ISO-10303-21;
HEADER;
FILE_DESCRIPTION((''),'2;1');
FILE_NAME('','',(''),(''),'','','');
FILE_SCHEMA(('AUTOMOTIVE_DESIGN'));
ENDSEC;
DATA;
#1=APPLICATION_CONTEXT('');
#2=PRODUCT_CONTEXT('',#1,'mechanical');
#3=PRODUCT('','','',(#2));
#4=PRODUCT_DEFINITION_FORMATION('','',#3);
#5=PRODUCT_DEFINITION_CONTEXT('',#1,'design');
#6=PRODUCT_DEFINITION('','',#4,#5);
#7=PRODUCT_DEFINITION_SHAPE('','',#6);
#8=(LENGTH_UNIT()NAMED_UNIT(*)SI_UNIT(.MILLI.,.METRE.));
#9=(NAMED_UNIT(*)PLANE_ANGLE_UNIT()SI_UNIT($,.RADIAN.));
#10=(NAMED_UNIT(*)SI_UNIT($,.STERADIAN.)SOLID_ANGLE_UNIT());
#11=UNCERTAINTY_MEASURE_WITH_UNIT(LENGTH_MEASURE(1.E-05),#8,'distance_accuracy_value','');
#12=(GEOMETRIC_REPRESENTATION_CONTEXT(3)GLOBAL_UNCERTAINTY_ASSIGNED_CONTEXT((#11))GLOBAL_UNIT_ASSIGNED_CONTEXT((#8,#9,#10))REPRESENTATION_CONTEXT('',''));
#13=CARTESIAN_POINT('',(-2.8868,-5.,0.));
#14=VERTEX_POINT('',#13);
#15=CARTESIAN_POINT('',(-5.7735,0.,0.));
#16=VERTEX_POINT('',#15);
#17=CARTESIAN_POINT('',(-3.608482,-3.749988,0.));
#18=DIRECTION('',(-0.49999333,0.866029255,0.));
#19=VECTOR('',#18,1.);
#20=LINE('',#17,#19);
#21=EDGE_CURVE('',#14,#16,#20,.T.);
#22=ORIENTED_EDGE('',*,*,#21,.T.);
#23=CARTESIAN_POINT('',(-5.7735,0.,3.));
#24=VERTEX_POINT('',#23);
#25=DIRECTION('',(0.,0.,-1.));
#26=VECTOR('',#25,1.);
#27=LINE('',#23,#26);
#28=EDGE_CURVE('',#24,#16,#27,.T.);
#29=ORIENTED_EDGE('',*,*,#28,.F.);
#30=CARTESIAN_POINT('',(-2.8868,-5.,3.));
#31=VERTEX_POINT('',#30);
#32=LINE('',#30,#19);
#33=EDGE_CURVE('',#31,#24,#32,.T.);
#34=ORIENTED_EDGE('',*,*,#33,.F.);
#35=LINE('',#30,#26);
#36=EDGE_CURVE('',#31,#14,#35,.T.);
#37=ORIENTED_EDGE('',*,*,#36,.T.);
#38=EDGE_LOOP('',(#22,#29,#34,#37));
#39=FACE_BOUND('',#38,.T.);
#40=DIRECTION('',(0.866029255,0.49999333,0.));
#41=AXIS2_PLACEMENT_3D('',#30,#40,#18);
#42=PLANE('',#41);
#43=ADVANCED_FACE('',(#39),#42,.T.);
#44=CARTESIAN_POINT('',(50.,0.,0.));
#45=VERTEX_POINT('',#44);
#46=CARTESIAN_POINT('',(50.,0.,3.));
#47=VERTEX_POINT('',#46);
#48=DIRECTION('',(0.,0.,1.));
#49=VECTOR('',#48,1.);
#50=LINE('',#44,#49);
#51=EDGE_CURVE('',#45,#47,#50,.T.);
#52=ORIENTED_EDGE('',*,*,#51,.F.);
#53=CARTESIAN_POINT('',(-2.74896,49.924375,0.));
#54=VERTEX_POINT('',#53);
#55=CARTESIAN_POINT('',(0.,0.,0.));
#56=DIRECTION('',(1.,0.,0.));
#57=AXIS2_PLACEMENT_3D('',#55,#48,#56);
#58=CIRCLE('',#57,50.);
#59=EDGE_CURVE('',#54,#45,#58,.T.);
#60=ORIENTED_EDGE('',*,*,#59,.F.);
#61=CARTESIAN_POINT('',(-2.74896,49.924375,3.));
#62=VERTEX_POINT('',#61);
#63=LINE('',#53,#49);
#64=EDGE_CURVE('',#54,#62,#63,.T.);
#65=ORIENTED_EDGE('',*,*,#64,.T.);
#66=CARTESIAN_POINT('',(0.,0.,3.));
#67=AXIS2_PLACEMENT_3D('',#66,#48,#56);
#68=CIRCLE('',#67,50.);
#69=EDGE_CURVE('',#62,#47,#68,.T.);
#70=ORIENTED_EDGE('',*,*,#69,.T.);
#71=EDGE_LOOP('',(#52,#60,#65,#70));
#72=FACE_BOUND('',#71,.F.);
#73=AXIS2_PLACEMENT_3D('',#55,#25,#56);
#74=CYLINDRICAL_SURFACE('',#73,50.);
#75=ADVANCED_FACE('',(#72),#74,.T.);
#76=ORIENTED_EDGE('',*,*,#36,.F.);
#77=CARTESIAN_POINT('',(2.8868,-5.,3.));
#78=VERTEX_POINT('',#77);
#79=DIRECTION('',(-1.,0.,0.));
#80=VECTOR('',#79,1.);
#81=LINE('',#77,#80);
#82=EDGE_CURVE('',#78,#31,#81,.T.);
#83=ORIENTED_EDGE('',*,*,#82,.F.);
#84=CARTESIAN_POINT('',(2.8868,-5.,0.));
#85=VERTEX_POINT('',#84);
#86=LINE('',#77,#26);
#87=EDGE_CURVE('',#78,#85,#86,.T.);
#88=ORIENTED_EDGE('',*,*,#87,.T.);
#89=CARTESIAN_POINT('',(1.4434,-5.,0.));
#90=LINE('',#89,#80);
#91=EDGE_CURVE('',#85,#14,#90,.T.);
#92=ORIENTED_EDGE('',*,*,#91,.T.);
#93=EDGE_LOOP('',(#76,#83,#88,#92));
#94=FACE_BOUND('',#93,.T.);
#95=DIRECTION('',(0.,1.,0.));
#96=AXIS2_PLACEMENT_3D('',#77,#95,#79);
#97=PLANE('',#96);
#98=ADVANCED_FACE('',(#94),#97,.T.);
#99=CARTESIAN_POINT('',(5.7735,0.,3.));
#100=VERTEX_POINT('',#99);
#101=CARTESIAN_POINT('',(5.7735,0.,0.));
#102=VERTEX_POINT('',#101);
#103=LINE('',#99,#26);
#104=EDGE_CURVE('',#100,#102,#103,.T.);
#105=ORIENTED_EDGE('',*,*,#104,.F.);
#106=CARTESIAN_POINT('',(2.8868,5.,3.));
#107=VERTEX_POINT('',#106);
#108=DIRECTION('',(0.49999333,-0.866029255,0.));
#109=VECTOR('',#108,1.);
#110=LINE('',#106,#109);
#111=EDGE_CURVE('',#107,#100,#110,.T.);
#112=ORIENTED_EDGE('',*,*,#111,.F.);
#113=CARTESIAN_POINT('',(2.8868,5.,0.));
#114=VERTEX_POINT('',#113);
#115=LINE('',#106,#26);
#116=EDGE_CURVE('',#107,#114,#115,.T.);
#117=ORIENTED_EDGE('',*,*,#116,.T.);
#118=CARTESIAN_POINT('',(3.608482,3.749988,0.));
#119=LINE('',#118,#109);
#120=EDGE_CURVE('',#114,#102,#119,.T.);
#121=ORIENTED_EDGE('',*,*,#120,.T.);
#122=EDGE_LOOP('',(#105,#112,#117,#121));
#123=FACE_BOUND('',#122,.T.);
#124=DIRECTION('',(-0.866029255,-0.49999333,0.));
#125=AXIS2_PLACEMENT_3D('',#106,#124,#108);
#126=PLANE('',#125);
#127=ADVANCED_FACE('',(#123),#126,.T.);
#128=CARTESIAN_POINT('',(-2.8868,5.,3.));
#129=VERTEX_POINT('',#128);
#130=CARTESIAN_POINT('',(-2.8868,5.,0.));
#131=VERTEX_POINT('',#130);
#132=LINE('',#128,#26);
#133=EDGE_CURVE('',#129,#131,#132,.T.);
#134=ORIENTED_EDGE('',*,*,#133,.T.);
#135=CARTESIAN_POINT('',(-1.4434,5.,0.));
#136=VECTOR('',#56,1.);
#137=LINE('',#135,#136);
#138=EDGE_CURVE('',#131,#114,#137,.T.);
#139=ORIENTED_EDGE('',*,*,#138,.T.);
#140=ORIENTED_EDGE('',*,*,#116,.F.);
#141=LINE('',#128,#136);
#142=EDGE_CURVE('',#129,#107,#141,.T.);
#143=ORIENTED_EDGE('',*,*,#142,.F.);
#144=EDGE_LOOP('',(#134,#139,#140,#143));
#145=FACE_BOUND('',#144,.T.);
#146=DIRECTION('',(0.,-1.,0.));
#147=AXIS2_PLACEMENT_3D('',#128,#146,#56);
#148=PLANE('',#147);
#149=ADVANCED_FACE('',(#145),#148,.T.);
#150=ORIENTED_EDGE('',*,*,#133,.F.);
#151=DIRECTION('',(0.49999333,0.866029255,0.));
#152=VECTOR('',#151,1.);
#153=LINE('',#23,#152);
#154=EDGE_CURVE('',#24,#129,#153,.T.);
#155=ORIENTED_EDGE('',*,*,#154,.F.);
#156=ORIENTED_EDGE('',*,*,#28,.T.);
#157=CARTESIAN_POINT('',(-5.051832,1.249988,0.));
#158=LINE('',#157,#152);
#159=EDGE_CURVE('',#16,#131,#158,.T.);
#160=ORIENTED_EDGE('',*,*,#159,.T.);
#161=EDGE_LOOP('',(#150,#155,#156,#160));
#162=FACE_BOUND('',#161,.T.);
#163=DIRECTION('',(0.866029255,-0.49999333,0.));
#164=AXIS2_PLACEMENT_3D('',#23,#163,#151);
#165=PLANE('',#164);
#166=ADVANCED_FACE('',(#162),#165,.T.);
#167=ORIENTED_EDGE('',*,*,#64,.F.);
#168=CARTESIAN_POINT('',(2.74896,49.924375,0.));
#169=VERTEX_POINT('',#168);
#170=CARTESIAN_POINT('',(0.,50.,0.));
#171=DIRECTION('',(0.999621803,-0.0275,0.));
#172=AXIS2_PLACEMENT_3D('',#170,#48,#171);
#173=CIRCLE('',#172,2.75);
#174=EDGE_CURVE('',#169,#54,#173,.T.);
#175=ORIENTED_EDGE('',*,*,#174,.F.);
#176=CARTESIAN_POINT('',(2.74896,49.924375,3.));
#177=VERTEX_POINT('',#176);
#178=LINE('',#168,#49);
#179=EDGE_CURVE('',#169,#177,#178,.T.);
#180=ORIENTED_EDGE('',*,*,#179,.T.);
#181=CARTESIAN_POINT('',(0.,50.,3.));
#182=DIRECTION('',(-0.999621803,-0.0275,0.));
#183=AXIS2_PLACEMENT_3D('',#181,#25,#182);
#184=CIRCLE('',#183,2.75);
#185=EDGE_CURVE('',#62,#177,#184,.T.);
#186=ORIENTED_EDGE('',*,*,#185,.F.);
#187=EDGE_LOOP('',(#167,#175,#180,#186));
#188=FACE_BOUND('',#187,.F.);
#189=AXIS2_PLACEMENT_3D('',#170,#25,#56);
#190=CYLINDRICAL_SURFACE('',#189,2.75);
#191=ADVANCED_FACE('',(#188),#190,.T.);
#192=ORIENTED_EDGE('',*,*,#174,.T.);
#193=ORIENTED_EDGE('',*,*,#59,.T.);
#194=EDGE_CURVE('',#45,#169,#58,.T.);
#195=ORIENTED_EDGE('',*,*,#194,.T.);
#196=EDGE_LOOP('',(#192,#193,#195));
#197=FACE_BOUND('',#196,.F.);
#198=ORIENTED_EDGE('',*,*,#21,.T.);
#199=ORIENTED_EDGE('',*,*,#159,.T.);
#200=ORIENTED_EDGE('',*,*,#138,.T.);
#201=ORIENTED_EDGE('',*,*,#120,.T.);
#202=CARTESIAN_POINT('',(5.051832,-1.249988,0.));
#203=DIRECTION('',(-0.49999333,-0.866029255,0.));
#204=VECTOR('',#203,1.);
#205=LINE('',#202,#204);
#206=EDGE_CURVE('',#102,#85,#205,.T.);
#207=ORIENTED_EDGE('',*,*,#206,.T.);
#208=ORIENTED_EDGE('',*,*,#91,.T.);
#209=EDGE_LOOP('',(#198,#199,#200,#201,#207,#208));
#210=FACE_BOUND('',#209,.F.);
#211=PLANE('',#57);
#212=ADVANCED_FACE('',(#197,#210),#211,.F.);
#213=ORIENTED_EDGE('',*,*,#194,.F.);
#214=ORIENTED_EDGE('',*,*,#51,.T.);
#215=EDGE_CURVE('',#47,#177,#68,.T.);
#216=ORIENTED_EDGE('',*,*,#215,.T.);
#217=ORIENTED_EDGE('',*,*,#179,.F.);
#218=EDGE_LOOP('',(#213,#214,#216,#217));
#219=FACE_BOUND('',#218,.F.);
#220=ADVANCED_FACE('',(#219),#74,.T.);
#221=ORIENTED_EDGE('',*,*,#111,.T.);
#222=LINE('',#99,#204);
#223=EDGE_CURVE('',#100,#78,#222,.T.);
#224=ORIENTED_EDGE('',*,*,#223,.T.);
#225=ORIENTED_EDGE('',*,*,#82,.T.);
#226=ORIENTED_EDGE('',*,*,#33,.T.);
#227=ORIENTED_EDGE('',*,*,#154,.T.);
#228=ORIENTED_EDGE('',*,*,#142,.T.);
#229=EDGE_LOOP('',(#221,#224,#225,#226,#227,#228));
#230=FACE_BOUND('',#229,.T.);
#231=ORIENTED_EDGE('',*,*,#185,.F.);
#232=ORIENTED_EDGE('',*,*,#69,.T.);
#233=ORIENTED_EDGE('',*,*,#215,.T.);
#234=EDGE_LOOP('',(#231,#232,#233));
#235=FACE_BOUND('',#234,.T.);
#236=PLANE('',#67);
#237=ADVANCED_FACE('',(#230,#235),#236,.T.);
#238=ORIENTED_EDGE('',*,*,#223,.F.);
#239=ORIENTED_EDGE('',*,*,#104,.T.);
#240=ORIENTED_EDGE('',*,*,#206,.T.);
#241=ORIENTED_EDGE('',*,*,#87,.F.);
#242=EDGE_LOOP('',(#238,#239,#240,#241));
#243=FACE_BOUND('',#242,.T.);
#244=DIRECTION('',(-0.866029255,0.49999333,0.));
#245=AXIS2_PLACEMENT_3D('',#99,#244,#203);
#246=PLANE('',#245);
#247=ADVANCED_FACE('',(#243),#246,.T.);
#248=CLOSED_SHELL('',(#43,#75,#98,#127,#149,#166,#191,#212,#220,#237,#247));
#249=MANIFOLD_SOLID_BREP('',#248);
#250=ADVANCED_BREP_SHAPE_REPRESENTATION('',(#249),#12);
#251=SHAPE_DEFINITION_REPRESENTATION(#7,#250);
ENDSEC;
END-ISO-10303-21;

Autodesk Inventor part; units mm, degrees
ref_plane "YZ Plane" through (0, 0, 0) normal (1, 0, 0) x (0, 1, 0)
ref_plane "XZ Plane" through (0, 0, 0) normal (0, 1, 0) x (-1, 0, 0)
ref_plane "XY Plane" through (0, 0, 0) normal (0, 0, 1) x (1, 0, 0)
sketch "Sketch1" plane through (0, 0, 0) normal (0, 0, 1) x (1, 0, 0)
  circle A0 centre (0, 0) radius 50
  circle A1 centre (0, 50) radius 2.75
  point P0 (-2.749, 49.9244)
  point P1 (2.749, 49.9244)
  dimension "d0" = 100
  dimension "d1" = 5.5
extrude "Extrusion1" add sketch "Sketch1" along normal blind 3
sketch "Sketch2" plane through (0, 0, 3) normal (0, 0, 1) x (1, 0, 0)
  arc A0 (-2.749, 49.9244) -> (2.749, 49.9244) centre (0, 0) ccw projected
  line L0 (-5.7735, 0) -> (-2.8868, 5)
  line L1 (-2.8868, 5) -> (2.8868, 5)
  line L2 (2.8868, 5) -> (5.7735, 0)
  line L3 (5.7735, 0) -> (2.8868, -5)
  line L4 (2.8868, -5) -> (-2.8868, -5)
  line L5 (-2.8868, -5) -> (-5.7735, 0)
  arc A1 (2.749, 49.9244) -> (-2.749, 49.9244) centre (0, 50) ccw construction
  line L6 (0, 0) -> (0, 50) construction
  dimension "d8" = 10
extrude "Extrusion2" cut sketch "Sketch2" against normal through all
properties part number "circle"
